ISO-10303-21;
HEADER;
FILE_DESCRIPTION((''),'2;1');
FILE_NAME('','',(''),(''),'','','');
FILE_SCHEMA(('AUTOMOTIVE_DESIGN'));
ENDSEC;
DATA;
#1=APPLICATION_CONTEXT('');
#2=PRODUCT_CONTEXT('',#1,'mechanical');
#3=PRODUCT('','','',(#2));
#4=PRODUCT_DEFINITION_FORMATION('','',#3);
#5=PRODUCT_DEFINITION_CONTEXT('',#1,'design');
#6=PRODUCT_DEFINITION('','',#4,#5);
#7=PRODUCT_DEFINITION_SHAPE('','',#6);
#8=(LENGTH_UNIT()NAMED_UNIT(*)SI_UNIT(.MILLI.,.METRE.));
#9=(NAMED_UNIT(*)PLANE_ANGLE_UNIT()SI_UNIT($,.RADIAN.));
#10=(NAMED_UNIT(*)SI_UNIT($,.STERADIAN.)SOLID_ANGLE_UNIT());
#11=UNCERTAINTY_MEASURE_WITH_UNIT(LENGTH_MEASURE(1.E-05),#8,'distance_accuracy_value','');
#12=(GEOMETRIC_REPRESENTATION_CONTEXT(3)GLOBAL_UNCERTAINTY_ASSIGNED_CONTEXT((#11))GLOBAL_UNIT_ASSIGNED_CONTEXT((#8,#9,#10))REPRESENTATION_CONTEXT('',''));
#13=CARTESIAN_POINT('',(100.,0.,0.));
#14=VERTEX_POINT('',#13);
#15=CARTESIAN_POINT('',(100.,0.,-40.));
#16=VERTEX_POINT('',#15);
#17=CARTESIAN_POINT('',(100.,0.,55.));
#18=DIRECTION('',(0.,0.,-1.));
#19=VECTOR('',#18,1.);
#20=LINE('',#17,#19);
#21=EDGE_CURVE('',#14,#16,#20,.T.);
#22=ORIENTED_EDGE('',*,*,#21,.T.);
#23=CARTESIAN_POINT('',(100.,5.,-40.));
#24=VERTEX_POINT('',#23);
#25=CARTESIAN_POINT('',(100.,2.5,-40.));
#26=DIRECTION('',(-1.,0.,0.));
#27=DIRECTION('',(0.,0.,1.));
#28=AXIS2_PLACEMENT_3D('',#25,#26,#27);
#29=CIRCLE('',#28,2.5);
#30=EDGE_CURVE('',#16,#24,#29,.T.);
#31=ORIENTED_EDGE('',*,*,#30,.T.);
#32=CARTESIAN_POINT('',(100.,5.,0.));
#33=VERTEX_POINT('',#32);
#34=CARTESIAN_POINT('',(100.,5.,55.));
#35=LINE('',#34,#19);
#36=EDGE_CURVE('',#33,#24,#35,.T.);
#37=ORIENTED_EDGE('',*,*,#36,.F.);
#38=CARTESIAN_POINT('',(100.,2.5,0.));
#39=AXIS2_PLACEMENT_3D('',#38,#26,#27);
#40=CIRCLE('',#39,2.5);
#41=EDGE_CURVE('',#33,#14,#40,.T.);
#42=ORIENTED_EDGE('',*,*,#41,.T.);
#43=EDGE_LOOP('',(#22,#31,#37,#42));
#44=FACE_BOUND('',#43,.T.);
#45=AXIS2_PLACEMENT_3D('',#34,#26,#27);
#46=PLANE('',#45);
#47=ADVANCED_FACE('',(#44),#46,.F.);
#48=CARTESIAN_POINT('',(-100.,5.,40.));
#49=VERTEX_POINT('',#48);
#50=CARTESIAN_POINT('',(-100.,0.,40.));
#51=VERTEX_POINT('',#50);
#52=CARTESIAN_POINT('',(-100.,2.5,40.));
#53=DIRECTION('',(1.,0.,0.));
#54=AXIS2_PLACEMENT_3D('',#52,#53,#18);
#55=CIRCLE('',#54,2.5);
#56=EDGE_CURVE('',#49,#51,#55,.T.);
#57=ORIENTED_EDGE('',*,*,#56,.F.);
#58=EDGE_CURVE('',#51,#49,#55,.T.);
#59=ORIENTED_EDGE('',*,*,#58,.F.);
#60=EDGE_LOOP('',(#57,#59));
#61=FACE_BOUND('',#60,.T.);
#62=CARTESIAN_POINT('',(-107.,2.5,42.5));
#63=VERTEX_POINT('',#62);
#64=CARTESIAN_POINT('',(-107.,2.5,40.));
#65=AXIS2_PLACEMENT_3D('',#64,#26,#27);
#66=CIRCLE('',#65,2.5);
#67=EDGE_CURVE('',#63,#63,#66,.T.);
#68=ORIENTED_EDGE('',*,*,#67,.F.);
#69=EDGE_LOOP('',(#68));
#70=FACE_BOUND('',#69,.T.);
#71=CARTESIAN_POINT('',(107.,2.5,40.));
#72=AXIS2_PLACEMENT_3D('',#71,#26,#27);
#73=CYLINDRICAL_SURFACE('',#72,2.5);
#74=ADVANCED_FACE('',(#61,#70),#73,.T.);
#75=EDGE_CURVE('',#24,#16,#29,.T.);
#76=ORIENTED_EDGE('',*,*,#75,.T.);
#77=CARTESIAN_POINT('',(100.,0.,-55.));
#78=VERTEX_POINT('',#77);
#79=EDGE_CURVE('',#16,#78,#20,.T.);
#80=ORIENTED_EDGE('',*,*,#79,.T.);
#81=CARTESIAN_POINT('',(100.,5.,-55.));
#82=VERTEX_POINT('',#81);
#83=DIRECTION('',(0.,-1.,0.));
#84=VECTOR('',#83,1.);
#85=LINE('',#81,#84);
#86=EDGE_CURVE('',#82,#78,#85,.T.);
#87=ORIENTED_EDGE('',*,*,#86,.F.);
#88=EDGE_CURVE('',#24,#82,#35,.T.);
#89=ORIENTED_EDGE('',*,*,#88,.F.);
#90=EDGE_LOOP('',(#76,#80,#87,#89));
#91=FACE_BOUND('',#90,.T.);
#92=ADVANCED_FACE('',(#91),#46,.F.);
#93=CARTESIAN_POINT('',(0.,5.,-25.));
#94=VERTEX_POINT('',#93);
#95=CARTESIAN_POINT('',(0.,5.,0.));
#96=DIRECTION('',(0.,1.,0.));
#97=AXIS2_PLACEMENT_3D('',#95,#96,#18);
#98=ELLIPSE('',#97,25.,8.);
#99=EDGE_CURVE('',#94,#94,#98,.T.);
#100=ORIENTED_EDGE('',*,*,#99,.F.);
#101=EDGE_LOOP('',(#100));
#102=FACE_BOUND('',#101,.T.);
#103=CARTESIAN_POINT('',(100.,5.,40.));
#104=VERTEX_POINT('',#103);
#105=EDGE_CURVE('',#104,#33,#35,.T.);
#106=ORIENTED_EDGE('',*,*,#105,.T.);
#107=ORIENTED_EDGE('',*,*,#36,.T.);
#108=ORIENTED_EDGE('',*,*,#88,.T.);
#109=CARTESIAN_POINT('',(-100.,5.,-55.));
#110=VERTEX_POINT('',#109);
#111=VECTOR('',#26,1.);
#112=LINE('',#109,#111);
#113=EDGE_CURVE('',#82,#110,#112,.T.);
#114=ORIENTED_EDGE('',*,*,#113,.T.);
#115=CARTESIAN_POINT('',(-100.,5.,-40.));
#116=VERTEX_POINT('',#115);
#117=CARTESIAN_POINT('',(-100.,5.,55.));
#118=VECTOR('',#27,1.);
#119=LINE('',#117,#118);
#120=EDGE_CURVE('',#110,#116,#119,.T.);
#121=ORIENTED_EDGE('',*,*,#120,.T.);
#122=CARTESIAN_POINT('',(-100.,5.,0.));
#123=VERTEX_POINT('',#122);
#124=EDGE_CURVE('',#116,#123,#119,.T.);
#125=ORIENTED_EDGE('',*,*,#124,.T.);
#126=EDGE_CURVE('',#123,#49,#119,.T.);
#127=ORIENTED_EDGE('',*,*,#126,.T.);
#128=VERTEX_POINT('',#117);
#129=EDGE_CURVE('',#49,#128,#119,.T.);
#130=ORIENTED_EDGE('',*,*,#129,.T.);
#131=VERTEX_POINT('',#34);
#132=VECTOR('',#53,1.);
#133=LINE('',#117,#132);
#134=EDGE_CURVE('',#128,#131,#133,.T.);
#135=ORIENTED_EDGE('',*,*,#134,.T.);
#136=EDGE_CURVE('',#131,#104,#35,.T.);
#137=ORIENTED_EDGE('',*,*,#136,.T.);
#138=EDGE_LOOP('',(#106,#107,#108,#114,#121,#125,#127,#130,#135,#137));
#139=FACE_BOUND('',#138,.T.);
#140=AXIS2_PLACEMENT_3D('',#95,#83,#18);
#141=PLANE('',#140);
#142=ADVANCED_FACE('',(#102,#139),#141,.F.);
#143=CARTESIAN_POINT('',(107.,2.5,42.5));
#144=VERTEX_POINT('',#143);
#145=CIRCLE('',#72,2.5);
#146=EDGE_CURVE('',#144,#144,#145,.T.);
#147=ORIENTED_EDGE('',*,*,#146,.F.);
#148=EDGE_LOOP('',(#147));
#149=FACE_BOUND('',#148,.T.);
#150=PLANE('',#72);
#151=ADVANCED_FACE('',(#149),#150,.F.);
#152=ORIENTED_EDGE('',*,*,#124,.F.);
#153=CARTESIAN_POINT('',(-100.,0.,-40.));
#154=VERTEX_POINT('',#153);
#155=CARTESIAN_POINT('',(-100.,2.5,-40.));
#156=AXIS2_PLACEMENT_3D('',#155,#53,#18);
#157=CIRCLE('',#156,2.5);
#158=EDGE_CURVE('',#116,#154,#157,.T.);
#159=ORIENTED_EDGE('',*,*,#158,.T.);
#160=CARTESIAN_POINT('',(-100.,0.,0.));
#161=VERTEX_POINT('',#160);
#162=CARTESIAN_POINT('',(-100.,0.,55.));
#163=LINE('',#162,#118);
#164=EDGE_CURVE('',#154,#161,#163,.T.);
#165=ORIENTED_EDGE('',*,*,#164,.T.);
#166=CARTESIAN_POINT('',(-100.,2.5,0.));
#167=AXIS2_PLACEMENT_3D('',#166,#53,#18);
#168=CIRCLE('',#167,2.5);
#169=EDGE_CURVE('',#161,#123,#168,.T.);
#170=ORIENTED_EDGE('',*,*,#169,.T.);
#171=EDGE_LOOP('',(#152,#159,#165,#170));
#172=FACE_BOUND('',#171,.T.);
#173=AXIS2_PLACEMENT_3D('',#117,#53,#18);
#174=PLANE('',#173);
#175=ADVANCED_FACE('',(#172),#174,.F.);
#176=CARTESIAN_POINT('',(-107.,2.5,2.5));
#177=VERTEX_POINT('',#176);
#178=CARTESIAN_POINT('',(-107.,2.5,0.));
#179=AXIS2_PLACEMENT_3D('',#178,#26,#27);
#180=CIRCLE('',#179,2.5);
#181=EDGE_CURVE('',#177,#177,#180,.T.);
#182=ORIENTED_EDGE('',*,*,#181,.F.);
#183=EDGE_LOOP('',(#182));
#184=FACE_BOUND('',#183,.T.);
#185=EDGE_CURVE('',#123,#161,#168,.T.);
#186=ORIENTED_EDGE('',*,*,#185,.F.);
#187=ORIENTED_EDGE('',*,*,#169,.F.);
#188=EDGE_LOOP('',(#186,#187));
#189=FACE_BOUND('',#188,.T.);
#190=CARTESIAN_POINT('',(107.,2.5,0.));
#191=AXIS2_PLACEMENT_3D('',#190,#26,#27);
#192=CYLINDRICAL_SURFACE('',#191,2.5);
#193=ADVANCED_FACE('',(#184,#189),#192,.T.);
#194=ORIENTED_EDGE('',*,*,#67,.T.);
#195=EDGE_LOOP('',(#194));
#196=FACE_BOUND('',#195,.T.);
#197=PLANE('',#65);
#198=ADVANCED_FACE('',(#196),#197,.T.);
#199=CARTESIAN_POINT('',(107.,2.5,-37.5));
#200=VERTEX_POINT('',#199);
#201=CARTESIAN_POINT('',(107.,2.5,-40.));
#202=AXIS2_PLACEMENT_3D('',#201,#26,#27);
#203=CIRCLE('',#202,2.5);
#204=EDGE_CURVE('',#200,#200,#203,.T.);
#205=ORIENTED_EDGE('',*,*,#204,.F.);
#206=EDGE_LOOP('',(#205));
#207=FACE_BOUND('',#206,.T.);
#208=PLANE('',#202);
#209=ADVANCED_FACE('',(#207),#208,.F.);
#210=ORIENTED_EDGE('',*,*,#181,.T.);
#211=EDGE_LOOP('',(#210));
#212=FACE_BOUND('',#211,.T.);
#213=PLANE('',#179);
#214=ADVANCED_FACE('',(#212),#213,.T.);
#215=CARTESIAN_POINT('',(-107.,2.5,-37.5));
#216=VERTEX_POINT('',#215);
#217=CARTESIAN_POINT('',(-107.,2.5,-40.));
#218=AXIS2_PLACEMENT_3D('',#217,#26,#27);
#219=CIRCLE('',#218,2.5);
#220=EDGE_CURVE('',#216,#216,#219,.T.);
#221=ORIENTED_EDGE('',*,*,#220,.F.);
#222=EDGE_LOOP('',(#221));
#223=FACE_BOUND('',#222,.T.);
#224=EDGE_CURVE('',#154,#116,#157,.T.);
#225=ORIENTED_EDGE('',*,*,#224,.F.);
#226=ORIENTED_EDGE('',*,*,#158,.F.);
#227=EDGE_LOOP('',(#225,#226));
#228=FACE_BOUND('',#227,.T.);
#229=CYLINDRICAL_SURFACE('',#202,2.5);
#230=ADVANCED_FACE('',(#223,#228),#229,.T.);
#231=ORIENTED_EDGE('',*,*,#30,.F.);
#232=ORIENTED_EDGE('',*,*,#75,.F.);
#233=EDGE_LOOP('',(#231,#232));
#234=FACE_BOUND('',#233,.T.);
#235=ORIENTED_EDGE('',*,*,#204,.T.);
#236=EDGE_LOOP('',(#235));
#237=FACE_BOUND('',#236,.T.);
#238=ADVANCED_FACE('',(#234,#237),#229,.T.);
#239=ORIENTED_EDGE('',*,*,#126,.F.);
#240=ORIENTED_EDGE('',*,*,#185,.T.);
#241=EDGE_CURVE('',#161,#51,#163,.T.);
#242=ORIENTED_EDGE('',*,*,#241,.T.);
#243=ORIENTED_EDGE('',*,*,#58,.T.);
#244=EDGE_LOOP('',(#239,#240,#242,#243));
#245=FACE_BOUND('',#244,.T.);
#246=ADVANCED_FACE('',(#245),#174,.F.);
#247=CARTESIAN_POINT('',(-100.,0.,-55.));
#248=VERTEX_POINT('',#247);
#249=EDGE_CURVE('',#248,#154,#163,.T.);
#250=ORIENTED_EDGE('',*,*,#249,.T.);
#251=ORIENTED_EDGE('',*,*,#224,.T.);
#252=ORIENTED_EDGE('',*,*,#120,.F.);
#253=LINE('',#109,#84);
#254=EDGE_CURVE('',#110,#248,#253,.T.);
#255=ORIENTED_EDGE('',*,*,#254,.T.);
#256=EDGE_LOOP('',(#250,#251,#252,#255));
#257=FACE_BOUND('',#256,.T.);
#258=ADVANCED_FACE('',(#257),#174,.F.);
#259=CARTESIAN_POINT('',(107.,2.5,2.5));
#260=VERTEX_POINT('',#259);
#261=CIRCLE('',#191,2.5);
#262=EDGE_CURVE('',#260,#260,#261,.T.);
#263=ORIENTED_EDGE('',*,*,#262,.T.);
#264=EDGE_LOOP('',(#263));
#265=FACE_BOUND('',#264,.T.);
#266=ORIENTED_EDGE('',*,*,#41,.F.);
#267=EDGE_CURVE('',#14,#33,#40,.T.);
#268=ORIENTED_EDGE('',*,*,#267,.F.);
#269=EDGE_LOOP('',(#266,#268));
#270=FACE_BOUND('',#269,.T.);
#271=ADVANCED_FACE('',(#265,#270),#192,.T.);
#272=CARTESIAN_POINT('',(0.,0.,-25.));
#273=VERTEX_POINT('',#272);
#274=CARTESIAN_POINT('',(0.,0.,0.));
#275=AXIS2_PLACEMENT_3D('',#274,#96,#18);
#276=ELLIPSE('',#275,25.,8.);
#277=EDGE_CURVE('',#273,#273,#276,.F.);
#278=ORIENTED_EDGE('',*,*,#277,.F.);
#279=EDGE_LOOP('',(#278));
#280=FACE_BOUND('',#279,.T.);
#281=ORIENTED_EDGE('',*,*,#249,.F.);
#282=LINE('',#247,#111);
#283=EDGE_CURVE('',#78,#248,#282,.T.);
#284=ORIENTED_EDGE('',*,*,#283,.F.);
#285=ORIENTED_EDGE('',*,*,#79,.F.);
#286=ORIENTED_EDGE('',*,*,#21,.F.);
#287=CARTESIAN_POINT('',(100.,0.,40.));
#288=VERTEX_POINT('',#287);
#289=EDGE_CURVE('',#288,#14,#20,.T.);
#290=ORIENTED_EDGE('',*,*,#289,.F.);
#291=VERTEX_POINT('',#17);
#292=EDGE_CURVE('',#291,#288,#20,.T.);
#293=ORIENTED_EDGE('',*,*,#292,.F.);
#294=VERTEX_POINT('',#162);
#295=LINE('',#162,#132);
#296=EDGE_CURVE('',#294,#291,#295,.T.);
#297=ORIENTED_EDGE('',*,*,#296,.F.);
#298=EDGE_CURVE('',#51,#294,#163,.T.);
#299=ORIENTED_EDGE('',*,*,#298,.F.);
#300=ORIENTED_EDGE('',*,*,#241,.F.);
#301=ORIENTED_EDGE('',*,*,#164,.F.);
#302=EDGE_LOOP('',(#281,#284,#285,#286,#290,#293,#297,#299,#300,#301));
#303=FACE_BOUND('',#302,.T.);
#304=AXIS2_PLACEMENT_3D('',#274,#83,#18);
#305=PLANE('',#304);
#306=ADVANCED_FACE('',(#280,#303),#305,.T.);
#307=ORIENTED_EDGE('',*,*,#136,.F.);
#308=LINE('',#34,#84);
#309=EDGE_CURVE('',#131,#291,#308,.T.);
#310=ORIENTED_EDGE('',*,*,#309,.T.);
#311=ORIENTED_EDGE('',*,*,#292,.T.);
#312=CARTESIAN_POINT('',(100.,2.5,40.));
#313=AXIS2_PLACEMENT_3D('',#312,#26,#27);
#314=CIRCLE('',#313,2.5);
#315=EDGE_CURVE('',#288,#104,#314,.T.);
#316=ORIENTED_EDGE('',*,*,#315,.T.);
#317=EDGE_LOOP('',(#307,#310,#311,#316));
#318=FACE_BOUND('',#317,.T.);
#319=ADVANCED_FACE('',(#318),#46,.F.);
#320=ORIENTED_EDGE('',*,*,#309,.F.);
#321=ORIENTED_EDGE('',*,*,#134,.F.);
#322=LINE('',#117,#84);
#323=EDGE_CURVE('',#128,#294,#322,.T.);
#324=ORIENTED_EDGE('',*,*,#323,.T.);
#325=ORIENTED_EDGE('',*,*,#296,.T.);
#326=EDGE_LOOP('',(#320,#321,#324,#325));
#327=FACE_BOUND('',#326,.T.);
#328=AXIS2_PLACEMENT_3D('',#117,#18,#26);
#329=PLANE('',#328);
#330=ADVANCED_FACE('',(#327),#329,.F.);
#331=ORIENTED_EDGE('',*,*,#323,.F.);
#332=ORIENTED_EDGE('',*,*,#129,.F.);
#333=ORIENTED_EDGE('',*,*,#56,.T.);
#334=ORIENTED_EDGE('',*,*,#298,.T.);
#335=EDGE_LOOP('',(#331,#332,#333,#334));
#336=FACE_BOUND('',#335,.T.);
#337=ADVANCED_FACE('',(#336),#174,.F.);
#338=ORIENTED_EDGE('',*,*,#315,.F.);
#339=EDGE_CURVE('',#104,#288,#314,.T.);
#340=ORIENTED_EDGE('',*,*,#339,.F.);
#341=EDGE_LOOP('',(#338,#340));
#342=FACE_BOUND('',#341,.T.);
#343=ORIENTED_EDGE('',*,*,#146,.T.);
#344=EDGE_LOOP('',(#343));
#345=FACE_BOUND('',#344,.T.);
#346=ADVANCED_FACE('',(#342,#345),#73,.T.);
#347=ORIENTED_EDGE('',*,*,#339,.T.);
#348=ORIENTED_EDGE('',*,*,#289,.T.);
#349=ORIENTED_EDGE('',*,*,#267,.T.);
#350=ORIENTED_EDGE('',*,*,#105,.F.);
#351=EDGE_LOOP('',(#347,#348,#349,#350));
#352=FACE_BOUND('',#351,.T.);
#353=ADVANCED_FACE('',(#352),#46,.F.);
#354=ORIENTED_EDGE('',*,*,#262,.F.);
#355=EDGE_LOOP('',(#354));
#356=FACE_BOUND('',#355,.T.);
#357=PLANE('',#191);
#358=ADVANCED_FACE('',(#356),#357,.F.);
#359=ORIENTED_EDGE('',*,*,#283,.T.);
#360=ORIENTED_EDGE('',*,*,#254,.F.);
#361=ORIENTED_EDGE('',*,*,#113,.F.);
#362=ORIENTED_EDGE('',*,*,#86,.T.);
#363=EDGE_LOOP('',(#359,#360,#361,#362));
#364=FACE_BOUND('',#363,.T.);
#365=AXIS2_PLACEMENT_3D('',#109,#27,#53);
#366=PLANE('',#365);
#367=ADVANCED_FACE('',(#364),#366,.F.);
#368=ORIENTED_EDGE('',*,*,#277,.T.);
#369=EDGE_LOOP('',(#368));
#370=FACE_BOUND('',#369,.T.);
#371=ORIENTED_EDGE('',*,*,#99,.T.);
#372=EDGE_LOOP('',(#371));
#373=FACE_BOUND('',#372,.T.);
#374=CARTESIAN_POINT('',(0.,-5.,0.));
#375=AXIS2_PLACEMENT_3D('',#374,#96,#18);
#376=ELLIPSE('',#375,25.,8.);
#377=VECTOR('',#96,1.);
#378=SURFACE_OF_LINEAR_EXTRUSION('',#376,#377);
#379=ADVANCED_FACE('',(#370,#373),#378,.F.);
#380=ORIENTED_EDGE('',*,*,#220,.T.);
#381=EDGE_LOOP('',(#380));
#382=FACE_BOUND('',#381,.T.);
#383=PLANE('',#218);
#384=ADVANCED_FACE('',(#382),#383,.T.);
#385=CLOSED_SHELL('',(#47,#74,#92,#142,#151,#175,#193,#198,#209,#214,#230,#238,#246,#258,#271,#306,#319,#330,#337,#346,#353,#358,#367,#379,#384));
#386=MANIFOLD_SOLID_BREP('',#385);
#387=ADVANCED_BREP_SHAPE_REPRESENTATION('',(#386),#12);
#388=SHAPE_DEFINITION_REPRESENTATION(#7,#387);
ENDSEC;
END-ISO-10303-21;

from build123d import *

# Parameters (mm, degrees)
SKETCH1_W                = 200
SKETCH1_H                = 110
BOSS_EXTRUDE1_DEPTH      = 5
BOSS_EXTRUDE2_DEPTH      = 7
BOSS_EXTRUDE2_DEPTH_BACK = 207
SKETCH2_R                = 2.5
SKETCH3_RX               = 25
SKETCH3_RY               = 8
CUT_EXTRUDE1_DEPTH       = 10


with BuildPart() as part:
    # Sketch1 → Boss-Extrude1 (new body)
    with BuildSketch(Plane(origin=(0, 0, 0), x_dir=(1, 0, 0), z_dir=(0, 1, 0))):
        Rectangle(SKETCH1_W, SKETCH1_H)
    extrude(amount=BOSS_EXTRUDE1_DEPTH)

    # Sketch2 → Boss-Extrude2 (add, two sides: drawn at the far end of the back side and taken through both)
    with BuildSketch(Plane.ZY.offset(100).offset(-BOSS_EXTRUDE2_DEPTH_BACK)):
        with Locations((-40, 2.5)):
            Circle(SKETCH2_R)
        with Locations((0, 2.5)):
            Circle(SKETCH2_R)
        with Locations((40, 2.5)):
            Circle(SKETCH2_R)
    extrude(amount=BOSS_EXTRUDE2_DEPTH + BOSS_EXTRUDE2_DEPTH_BACK)

    # Sketch3 → Cut-Extrude1 (cut)
    with BuildSketch(Plane(origin=(0, 5, 0), x_dir=(1, 0, 0), z_dir=(0, 1, 0))):
        with Locations(Location((0, 0), (0, 0, 90))):
            Ellipse(SKETCH3_RX, SKETCH3_RY)
    extrude(amount=-CUT_EXTRUDE1_DEPTH, mode=Mode.SUBTRACT)


solid = part.part
